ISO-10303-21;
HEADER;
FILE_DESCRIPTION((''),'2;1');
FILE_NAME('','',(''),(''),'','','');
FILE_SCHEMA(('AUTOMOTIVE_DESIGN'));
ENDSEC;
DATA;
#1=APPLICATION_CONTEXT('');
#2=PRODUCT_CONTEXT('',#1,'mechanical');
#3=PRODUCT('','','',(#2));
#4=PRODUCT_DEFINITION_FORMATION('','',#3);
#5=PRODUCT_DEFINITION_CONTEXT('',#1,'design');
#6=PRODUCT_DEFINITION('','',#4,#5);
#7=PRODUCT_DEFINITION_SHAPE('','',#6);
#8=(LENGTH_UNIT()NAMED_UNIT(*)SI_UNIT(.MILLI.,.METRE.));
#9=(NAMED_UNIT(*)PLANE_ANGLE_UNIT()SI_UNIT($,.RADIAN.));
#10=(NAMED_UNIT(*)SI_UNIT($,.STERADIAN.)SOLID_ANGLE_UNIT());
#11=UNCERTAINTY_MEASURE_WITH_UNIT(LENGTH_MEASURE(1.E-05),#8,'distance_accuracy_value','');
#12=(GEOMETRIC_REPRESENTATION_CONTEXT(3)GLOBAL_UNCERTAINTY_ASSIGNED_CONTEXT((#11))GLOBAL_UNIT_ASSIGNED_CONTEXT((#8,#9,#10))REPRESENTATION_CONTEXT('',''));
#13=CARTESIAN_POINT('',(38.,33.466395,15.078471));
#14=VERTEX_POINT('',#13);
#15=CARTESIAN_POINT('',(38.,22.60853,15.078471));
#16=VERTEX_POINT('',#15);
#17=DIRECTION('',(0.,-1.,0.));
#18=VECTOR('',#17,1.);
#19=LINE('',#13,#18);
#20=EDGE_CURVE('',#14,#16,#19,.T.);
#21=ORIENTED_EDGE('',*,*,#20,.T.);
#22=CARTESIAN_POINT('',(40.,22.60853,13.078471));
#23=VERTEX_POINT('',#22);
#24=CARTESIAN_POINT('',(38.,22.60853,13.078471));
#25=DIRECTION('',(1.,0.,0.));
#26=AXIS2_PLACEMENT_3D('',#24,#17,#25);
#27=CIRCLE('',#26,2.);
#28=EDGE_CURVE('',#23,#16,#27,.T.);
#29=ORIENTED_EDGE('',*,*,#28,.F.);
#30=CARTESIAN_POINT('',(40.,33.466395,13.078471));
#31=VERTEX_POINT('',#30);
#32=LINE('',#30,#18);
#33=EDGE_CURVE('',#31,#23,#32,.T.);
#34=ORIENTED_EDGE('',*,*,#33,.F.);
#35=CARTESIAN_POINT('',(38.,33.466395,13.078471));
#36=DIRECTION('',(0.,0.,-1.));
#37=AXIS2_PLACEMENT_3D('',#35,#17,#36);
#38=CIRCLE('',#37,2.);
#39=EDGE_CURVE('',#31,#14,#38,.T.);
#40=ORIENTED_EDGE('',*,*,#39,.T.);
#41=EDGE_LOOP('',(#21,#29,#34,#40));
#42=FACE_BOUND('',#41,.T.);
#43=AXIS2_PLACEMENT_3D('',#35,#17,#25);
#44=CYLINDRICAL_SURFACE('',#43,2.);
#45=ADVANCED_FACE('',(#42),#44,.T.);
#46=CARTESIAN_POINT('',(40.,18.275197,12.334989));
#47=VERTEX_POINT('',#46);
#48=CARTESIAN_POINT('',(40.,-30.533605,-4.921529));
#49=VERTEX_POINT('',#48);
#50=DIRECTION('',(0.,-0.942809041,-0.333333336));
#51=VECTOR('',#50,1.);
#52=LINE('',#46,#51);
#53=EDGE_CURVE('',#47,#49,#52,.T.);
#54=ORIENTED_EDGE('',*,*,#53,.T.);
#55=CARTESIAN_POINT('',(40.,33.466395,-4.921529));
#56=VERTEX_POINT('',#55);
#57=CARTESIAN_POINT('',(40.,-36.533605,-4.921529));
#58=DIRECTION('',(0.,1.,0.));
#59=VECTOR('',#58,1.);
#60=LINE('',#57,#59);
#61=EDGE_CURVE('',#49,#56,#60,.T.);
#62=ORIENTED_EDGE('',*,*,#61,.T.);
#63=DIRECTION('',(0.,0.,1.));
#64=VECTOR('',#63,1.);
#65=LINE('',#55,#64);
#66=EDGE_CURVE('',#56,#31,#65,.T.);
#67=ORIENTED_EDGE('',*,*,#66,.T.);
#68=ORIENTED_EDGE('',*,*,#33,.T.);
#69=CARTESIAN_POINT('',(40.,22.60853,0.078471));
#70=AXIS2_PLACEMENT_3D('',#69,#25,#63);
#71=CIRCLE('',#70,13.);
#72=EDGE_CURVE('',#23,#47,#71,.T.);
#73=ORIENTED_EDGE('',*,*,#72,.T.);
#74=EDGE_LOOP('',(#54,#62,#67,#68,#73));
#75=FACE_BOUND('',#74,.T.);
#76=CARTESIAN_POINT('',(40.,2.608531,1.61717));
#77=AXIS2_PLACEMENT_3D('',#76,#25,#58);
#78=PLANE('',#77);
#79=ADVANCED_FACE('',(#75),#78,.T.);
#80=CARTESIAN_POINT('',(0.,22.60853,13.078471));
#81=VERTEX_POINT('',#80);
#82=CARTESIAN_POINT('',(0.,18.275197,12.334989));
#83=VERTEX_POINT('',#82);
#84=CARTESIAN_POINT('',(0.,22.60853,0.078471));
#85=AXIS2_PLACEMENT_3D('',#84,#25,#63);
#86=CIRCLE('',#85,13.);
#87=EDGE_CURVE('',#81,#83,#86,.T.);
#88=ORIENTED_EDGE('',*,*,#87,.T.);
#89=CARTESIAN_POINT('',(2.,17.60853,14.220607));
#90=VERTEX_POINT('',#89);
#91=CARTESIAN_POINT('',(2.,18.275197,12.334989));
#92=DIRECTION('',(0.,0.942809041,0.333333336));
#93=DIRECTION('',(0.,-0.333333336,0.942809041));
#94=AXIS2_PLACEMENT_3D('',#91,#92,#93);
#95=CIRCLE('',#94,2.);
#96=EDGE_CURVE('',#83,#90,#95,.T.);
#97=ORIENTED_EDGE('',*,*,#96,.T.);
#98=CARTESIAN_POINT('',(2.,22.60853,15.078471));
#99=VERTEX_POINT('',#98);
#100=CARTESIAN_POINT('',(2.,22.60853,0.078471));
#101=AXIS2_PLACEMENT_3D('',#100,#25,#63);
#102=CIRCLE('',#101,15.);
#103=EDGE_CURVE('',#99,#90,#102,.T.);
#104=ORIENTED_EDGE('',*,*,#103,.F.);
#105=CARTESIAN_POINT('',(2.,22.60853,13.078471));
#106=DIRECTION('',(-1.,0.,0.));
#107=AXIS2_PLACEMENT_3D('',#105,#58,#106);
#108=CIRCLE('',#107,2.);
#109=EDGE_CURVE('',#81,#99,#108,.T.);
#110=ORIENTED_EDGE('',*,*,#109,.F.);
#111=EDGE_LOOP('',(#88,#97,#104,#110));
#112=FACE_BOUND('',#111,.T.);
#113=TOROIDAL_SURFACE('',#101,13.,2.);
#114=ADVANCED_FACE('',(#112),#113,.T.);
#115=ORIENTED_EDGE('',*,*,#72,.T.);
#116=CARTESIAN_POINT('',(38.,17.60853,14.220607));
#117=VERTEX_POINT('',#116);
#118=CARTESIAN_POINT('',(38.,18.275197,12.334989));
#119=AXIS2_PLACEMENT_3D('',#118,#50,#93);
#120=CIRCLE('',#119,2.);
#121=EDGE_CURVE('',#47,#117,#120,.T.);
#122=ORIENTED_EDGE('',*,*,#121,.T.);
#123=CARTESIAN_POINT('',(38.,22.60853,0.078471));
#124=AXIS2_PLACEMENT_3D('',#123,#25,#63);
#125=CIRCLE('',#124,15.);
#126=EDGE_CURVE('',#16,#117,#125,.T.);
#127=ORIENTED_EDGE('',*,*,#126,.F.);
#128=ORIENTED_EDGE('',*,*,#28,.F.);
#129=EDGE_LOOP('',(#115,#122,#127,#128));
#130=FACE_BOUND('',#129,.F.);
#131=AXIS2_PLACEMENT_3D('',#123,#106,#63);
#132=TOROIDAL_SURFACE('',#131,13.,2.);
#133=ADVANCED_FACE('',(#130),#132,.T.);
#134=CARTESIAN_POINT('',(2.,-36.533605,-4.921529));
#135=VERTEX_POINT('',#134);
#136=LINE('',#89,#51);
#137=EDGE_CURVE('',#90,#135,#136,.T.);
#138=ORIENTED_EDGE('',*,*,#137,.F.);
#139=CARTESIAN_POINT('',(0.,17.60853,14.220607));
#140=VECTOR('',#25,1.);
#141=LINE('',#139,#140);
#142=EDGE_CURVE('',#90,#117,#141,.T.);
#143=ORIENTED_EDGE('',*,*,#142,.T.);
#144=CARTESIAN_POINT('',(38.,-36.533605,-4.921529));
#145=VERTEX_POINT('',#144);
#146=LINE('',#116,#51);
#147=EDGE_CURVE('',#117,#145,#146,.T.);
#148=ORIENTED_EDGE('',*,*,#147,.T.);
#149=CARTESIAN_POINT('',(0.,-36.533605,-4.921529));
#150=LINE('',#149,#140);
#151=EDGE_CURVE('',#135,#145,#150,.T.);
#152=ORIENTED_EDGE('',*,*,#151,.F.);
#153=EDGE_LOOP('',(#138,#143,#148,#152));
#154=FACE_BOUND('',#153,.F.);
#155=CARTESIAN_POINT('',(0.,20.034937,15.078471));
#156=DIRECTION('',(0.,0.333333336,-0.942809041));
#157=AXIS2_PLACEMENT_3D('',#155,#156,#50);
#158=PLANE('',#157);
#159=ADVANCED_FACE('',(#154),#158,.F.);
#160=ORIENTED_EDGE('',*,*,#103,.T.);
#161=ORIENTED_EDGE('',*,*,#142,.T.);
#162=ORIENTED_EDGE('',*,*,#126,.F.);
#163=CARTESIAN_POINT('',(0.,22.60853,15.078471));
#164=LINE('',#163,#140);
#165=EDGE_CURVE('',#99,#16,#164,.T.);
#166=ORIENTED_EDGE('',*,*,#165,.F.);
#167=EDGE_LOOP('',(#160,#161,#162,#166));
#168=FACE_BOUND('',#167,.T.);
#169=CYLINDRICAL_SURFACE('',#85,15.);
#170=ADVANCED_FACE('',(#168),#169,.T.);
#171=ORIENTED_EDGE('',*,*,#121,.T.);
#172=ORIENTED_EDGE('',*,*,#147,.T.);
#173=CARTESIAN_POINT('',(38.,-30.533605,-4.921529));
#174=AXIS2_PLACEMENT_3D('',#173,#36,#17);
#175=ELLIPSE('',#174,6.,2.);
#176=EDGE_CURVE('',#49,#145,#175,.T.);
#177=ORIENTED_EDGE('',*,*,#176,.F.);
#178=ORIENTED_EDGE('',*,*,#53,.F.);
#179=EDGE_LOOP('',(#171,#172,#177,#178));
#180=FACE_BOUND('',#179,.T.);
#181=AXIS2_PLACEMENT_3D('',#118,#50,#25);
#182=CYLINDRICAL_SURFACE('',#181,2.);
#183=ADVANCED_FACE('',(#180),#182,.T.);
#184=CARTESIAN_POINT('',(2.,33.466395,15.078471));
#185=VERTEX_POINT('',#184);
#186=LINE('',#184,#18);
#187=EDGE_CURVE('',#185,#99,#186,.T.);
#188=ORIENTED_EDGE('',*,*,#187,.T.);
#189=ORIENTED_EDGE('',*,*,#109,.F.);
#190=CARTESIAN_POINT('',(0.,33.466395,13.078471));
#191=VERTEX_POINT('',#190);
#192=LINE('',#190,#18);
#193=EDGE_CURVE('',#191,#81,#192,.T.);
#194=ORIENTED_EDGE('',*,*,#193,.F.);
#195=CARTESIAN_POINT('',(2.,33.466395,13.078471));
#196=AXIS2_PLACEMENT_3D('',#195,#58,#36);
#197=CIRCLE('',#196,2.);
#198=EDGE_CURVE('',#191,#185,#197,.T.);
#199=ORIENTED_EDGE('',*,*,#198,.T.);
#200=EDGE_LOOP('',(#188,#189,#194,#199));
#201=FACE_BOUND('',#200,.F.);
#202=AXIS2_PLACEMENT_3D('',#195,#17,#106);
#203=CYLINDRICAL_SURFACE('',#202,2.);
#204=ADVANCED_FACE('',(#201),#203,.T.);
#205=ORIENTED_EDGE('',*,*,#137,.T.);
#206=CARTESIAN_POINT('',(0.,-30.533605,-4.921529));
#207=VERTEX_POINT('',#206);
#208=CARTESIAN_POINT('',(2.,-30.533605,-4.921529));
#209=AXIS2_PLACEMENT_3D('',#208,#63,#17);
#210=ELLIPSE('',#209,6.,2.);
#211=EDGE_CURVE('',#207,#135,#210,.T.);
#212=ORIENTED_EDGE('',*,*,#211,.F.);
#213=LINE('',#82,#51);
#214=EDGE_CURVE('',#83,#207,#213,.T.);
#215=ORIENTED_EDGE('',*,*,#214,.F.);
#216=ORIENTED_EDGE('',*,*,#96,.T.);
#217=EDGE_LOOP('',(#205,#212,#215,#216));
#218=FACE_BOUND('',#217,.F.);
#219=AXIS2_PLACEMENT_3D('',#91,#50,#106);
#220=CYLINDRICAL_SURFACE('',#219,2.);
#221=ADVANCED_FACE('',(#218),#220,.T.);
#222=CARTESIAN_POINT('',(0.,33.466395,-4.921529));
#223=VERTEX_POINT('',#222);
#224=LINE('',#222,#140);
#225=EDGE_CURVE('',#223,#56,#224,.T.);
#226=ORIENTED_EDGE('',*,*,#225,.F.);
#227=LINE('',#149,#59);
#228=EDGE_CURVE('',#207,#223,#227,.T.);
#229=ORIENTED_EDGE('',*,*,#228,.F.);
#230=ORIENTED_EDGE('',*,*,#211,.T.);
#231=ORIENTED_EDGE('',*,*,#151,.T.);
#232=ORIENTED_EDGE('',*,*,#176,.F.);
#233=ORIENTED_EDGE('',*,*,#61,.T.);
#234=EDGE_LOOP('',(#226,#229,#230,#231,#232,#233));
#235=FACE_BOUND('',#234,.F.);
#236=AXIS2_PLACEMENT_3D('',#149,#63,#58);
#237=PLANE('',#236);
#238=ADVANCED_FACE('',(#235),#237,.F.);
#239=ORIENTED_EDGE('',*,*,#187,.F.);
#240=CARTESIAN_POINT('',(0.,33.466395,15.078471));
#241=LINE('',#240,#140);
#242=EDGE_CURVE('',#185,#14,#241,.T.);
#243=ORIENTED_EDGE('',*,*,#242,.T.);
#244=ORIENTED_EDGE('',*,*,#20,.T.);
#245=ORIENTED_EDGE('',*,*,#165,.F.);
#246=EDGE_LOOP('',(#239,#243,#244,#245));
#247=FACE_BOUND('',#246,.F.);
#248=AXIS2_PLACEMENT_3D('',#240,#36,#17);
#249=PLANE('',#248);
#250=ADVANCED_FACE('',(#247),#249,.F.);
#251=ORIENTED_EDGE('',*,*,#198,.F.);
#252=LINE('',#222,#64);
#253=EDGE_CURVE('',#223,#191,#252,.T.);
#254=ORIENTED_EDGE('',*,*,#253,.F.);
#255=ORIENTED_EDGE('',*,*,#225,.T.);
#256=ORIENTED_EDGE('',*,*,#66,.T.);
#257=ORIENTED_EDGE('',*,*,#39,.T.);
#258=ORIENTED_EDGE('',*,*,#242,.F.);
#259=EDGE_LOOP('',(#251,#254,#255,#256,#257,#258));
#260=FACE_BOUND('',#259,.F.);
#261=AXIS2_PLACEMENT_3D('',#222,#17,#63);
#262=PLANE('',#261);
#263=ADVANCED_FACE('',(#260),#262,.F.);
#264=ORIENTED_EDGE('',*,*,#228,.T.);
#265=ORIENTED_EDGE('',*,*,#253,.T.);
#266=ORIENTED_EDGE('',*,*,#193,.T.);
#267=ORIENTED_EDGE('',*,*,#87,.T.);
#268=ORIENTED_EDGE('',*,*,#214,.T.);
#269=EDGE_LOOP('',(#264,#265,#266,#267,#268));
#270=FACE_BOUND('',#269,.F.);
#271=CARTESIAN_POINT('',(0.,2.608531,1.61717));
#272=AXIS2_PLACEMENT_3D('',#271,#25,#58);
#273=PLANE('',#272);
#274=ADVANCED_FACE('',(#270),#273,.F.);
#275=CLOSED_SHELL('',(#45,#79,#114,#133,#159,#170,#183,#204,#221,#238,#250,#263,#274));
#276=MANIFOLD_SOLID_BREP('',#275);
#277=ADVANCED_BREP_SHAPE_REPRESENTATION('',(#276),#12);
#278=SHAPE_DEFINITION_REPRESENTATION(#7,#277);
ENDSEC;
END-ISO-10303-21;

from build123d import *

# Parameters (mm, degrees)
F1_DEPTH = 40
F2_R     = 15
F3_R     = 2


with BuildPart() as f1:
    # F0 (on Right) → F1 (new body)
    with BuildSketch(Plane.YZ):
        Polygon((33.466395, 15.078471), (20.034937, 15.078471), (-36.533605, -4.921529), (33.466395, -4.921529), align=None)
    extrude(amount=F1_DEPTH)

    # F2
    f2_edges = [f1.edges().sort_by_distance(p)[0] for p in [
        (20, 20.034937, 15.078471),
    ]]
    fillet(f2_edges, radius=F2_R)

    # F3
    f3_edges = [f1.edges().sort_by_distance(p)[0] for p in [
        (40, -9.462537, 4.649539),
        (0, -9.462537, 4.649539),
    ]]
    fillet(f3_edges, radius=F3_R)


solid = f1.part
